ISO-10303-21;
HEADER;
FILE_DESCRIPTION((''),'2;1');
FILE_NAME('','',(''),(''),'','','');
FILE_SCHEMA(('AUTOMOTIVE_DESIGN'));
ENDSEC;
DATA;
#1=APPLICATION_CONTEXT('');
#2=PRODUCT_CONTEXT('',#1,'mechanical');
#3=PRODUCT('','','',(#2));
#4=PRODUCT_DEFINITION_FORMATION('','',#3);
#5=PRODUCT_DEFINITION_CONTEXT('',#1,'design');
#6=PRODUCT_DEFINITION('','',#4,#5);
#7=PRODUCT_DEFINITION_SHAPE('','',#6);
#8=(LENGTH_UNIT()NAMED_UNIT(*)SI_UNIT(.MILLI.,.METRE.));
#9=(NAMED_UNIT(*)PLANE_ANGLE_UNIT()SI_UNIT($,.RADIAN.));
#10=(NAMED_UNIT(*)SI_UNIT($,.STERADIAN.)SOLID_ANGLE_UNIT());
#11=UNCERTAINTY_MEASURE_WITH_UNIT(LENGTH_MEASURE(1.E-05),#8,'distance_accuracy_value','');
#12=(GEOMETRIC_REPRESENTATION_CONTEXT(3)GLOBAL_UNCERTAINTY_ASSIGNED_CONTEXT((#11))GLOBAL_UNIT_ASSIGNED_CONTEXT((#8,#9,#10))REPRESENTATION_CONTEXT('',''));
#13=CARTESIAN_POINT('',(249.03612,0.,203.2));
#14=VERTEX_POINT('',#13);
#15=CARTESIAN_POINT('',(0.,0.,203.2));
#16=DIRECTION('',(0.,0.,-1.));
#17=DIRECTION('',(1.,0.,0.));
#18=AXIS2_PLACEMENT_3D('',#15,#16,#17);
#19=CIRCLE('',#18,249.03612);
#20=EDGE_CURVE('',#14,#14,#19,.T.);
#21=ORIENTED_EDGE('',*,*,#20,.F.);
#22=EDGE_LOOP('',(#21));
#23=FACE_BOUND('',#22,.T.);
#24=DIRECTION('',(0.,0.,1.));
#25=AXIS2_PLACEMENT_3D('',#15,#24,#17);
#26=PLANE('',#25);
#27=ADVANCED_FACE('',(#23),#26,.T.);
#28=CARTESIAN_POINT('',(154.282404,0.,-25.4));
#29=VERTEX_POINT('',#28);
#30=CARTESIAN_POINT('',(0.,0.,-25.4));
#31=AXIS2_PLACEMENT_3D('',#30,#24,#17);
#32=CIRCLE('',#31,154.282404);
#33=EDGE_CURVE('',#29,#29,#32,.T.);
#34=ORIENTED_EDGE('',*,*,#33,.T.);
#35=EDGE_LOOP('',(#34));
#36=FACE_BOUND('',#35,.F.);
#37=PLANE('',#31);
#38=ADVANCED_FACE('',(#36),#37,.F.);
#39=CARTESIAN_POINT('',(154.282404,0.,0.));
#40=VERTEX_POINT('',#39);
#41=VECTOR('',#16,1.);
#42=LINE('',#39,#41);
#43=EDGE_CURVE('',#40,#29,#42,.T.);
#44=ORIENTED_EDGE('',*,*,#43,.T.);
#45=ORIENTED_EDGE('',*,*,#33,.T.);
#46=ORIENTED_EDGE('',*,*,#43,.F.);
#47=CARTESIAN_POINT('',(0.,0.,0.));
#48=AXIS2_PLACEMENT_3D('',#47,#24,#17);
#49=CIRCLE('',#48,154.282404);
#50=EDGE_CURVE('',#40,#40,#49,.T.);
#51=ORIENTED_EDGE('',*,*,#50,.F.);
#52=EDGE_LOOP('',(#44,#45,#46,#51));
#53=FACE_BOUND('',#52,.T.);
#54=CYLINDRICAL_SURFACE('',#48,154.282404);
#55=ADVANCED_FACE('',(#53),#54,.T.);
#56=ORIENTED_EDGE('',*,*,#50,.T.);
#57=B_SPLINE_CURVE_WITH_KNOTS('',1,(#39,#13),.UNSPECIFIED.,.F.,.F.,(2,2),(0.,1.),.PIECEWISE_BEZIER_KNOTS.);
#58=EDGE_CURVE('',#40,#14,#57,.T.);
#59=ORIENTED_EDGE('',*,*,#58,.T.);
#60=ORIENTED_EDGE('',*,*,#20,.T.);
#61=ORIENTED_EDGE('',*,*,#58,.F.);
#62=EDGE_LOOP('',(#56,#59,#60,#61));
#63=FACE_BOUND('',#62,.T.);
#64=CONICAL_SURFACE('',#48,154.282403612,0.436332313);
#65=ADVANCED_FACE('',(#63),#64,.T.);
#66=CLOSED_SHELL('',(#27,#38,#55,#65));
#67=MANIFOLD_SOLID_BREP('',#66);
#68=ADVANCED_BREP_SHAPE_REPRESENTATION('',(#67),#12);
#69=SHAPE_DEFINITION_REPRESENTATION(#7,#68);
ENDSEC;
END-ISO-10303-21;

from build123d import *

# Parameters (mm, degrees)
F0_R          = 154.2824036123
F1_DEPTH      = 203.2
F1_TAPER      = -25
F1_DEPTH_BACK = 25.4


with BuildPart() as f1:
    # F0 (on Top) → F1 (new body, two sides)
    with BuildSketch(Plane.XY) as f1_sk:
        Circle(F0_R)
    extrude(amount=F1_DEPTH, taper=F1_TAPER)
    extrude(f1_sk.sketch, amount=-F1_DEPTH_BACK)


solid = f1.part
